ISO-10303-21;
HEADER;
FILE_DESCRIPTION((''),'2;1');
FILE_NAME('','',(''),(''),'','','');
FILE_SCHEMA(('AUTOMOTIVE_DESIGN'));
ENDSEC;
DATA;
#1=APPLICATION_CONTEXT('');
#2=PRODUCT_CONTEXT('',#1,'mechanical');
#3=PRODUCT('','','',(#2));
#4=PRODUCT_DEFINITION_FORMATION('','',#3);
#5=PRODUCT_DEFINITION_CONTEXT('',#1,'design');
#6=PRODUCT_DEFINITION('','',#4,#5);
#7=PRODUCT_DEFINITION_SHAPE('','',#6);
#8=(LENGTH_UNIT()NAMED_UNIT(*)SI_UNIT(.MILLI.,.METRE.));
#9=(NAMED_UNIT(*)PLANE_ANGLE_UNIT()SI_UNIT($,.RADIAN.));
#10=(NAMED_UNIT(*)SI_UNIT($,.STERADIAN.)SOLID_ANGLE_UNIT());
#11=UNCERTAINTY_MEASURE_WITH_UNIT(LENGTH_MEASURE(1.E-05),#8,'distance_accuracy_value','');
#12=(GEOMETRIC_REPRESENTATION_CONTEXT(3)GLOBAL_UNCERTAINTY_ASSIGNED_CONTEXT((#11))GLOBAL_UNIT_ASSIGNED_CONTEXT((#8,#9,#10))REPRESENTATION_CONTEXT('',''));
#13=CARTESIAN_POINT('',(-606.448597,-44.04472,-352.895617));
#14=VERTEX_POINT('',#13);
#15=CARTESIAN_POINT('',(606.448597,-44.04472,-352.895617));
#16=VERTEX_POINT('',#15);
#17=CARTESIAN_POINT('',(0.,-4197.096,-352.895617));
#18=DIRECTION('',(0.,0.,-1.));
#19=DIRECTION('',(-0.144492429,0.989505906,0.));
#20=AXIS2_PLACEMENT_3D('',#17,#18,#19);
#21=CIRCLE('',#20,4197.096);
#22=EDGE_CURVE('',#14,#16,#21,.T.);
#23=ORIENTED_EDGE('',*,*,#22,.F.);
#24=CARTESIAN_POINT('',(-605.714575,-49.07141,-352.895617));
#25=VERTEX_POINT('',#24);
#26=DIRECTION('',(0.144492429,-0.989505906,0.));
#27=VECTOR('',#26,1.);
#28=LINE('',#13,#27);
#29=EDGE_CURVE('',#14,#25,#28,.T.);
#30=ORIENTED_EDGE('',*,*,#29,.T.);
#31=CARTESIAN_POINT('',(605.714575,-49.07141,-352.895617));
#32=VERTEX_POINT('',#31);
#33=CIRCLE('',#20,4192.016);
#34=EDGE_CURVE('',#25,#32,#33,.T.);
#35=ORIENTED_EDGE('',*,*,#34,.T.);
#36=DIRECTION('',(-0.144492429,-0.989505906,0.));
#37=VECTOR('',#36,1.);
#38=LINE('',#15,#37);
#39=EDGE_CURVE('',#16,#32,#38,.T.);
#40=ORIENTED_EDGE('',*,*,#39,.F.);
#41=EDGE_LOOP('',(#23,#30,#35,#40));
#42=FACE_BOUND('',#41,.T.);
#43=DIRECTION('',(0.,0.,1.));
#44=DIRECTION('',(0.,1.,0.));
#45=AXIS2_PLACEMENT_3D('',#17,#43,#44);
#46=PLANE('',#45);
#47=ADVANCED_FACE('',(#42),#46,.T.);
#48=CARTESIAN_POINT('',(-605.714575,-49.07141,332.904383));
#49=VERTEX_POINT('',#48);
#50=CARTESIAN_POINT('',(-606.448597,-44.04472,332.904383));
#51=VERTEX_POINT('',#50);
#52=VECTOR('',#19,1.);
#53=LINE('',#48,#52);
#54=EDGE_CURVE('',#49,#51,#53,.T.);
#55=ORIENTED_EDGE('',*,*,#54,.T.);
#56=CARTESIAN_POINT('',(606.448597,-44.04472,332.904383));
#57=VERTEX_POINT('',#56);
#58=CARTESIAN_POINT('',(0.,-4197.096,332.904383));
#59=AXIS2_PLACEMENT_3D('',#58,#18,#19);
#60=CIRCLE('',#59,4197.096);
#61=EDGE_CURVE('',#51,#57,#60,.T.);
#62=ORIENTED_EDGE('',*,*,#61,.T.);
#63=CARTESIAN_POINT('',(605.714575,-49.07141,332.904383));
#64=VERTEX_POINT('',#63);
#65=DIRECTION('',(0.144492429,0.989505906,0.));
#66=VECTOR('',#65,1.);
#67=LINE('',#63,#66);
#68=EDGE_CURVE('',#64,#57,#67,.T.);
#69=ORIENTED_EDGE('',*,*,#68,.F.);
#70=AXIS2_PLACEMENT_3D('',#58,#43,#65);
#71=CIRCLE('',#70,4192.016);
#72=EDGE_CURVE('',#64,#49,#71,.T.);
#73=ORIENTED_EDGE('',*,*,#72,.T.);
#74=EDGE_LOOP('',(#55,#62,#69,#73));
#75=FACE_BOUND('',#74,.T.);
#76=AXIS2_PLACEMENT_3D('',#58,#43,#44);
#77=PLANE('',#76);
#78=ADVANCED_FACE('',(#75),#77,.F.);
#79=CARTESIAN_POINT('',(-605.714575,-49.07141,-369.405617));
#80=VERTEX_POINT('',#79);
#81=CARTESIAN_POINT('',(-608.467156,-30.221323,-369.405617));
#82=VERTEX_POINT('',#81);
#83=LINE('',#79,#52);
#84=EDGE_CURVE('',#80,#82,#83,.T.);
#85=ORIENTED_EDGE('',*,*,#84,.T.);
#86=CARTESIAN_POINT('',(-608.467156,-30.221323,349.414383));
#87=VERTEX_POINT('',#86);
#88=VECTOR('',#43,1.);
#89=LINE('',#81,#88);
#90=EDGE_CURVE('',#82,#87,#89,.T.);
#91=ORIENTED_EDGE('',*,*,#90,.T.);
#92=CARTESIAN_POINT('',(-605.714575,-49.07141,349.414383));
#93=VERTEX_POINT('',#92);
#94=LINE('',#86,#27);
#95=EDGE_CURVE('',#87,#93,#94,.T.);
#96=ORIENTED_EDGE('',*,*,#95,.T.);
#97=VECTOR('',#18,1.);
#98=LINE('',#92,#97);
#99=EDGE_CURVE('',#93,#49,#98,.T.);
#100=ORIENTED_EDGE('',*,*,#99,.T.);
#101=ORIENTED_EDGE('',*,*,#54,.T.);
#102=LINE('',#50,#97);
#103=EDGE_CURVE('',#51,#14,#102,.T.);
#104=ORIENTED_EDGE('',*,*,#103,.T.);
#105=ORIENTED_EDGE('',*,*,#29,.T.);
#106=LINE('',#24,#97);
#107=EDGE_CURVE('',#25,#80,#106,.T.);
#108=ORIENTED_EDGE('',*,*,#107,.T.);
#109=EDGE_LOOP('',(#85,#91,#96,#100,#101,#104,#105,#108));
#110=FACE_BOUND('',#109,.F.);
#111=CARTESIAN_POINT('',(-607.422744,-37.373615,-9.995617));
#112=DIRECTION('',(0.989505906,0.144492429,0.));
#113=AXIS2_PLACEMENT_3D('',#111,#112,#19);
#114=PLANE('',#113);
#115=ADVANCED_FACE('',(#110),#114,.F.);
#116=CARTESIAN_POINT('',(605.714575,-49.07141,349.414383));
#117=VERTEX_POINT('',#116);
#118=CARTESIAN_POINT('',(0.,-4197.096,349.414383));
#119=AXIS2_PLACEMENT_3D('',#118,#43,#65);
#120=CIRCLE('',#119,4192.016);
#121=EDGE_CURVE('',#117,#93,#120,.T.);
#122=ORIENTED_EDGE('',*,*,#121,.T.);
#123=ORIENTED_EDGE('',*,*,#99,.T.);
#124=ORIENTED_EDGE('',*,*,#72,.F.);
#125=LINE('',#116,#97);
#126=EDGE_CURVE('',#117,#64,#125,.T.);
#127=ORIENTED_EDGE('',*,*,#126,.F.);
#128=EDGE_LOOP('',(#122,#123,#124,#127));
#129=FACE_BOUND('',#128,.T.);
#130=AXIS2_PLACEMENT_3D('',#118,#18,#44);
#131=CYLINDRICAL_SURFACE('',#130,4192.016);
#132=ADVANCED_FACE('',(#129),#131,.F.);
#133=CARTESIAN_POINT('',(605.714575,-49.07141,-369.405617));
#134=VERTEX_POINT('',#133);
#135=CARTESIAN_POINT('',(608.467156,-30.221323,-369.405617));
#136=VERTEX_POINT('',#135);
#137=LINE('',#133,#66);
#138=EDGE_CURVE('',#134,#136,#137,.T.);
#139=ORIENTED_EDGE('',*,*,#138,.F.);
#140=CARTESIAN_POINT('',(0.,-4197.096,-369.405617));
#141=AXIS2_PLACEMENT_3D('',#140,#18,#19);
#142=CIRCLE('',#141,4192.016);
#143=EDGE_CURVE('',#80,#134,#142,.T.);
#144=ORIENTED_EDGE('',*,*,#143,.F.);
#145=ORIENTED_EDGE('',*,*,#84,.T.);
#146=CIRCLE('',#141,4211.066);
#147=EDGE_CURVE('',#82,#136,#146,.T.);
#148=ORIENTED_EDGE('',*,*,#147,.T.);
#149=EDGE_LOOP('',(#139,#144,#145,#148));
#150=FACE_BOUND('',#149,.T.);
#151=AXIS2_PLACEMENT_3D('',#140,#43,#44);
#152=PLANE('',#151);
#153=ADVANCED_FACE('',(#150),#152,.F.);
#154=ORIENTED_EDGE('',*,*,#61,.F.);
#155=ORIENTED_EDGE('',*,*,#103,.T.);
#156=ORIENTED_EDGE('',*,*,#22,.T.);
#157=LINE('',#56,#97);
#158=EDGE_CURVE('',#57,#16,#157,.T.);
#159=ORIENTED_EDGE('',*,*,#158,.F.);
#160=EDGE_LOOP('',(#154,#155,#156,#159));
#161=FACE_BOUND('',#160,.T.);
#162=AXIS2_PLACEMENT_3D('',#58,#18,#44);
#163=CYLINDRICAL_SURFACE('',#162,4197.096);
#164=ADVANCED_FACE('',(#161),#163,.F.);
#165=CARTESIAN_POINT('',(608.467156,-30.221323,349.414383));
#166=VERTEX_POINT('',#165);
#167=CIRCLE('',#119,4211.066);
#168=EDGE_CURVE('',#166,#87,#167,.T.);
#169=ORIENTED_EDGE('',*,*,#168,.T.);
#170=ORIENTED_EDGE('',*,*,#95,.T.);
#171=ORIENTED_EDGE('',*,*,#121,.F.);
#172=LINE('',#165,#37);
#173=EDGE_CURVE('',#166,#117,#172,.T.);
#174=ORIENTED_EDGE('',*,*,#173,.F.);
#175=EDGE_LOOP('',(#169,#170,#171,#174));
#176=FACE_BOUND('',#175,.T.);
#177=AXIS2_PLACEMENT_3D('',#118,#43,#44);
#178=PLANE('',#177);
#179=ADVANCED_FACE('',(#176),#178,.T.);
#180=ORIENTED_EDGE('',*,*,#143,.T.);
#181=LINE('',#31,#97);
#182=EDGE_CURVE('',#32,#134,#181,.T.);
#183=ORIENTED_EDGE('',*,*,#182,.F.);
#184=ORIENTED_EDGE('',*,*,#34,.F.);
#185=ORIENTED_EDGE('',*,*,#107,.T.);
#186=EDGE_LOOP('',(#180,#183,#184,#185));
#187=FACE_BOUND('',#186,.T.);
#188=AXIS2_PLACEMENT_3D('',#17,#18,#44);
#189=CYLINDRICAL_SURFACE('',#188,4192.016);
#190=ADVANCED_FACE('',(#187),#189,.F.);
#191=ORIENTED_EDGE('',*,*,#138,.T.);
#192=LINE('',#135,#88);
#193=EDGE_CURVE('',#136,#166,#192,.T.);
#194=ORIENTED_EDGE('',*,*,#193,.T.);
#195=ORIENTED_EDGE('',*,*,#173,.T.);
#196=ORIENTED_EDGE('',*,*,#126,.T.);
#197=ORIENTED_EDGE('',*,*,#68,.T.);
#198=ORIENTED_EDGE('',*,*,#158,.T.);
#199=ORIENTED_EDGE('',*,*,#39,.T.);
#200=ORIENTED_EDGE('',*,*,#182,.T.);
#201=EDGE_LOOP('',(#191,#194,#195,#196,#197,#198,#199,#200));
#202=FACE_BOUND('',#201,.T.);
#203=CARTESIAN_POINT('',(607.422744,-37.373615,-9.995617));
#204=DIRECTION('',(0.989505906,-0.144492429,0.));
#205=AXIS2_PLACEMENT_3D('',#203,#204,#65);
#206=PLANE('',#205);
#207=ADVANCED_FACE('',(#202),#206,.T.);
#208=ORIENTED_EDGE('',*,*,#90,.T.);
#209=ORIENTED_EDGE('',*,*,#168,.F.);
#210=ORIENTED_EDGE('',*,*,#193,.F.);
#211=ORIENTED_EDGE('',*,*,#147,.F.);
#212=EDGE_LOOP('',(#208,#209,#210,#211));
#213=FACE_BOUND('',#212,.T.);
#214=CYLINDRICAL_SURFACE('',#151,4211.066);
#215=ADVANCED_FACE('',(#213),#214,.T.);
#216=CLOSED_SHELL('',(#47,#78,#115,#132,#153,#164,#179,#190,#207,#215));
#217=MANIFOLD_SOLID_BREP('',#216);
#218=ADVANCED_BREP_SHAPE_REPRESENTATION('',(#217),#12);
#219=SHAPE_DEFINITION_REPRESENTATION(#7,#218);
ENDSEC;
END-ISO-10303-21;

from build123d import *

# Parameters (mm, degrees)
F2_ANGLE = 16.615776


with BuildPart() as f2:
    # F0 (on Right) → F2 (revolve, symmetric)
    with BuildSketch(Plane.YZ) as f2_sk:
        Polygon((-5.08, 332.904383), (0, 332.904383), (0, 0), (0, -352.895617), (-5.08, -352.895617), (-5.08, -369.405617), (13.97, -369.405617), (13.97, 349.414383), (-5.08, 349.414383), align=None)
    revolve(axis=Axis((0, -4197.096, 1015.695978), (0, 0, -1)), revolution_arc=F2_ANGLE / 2)
    revolve(f2_sk.sketch, axis=Axis((0, -4197.096, 1015.695978), (0, 0, 1)), revolution_arc=F2_ANGLE / 2)


solid = f2.part
